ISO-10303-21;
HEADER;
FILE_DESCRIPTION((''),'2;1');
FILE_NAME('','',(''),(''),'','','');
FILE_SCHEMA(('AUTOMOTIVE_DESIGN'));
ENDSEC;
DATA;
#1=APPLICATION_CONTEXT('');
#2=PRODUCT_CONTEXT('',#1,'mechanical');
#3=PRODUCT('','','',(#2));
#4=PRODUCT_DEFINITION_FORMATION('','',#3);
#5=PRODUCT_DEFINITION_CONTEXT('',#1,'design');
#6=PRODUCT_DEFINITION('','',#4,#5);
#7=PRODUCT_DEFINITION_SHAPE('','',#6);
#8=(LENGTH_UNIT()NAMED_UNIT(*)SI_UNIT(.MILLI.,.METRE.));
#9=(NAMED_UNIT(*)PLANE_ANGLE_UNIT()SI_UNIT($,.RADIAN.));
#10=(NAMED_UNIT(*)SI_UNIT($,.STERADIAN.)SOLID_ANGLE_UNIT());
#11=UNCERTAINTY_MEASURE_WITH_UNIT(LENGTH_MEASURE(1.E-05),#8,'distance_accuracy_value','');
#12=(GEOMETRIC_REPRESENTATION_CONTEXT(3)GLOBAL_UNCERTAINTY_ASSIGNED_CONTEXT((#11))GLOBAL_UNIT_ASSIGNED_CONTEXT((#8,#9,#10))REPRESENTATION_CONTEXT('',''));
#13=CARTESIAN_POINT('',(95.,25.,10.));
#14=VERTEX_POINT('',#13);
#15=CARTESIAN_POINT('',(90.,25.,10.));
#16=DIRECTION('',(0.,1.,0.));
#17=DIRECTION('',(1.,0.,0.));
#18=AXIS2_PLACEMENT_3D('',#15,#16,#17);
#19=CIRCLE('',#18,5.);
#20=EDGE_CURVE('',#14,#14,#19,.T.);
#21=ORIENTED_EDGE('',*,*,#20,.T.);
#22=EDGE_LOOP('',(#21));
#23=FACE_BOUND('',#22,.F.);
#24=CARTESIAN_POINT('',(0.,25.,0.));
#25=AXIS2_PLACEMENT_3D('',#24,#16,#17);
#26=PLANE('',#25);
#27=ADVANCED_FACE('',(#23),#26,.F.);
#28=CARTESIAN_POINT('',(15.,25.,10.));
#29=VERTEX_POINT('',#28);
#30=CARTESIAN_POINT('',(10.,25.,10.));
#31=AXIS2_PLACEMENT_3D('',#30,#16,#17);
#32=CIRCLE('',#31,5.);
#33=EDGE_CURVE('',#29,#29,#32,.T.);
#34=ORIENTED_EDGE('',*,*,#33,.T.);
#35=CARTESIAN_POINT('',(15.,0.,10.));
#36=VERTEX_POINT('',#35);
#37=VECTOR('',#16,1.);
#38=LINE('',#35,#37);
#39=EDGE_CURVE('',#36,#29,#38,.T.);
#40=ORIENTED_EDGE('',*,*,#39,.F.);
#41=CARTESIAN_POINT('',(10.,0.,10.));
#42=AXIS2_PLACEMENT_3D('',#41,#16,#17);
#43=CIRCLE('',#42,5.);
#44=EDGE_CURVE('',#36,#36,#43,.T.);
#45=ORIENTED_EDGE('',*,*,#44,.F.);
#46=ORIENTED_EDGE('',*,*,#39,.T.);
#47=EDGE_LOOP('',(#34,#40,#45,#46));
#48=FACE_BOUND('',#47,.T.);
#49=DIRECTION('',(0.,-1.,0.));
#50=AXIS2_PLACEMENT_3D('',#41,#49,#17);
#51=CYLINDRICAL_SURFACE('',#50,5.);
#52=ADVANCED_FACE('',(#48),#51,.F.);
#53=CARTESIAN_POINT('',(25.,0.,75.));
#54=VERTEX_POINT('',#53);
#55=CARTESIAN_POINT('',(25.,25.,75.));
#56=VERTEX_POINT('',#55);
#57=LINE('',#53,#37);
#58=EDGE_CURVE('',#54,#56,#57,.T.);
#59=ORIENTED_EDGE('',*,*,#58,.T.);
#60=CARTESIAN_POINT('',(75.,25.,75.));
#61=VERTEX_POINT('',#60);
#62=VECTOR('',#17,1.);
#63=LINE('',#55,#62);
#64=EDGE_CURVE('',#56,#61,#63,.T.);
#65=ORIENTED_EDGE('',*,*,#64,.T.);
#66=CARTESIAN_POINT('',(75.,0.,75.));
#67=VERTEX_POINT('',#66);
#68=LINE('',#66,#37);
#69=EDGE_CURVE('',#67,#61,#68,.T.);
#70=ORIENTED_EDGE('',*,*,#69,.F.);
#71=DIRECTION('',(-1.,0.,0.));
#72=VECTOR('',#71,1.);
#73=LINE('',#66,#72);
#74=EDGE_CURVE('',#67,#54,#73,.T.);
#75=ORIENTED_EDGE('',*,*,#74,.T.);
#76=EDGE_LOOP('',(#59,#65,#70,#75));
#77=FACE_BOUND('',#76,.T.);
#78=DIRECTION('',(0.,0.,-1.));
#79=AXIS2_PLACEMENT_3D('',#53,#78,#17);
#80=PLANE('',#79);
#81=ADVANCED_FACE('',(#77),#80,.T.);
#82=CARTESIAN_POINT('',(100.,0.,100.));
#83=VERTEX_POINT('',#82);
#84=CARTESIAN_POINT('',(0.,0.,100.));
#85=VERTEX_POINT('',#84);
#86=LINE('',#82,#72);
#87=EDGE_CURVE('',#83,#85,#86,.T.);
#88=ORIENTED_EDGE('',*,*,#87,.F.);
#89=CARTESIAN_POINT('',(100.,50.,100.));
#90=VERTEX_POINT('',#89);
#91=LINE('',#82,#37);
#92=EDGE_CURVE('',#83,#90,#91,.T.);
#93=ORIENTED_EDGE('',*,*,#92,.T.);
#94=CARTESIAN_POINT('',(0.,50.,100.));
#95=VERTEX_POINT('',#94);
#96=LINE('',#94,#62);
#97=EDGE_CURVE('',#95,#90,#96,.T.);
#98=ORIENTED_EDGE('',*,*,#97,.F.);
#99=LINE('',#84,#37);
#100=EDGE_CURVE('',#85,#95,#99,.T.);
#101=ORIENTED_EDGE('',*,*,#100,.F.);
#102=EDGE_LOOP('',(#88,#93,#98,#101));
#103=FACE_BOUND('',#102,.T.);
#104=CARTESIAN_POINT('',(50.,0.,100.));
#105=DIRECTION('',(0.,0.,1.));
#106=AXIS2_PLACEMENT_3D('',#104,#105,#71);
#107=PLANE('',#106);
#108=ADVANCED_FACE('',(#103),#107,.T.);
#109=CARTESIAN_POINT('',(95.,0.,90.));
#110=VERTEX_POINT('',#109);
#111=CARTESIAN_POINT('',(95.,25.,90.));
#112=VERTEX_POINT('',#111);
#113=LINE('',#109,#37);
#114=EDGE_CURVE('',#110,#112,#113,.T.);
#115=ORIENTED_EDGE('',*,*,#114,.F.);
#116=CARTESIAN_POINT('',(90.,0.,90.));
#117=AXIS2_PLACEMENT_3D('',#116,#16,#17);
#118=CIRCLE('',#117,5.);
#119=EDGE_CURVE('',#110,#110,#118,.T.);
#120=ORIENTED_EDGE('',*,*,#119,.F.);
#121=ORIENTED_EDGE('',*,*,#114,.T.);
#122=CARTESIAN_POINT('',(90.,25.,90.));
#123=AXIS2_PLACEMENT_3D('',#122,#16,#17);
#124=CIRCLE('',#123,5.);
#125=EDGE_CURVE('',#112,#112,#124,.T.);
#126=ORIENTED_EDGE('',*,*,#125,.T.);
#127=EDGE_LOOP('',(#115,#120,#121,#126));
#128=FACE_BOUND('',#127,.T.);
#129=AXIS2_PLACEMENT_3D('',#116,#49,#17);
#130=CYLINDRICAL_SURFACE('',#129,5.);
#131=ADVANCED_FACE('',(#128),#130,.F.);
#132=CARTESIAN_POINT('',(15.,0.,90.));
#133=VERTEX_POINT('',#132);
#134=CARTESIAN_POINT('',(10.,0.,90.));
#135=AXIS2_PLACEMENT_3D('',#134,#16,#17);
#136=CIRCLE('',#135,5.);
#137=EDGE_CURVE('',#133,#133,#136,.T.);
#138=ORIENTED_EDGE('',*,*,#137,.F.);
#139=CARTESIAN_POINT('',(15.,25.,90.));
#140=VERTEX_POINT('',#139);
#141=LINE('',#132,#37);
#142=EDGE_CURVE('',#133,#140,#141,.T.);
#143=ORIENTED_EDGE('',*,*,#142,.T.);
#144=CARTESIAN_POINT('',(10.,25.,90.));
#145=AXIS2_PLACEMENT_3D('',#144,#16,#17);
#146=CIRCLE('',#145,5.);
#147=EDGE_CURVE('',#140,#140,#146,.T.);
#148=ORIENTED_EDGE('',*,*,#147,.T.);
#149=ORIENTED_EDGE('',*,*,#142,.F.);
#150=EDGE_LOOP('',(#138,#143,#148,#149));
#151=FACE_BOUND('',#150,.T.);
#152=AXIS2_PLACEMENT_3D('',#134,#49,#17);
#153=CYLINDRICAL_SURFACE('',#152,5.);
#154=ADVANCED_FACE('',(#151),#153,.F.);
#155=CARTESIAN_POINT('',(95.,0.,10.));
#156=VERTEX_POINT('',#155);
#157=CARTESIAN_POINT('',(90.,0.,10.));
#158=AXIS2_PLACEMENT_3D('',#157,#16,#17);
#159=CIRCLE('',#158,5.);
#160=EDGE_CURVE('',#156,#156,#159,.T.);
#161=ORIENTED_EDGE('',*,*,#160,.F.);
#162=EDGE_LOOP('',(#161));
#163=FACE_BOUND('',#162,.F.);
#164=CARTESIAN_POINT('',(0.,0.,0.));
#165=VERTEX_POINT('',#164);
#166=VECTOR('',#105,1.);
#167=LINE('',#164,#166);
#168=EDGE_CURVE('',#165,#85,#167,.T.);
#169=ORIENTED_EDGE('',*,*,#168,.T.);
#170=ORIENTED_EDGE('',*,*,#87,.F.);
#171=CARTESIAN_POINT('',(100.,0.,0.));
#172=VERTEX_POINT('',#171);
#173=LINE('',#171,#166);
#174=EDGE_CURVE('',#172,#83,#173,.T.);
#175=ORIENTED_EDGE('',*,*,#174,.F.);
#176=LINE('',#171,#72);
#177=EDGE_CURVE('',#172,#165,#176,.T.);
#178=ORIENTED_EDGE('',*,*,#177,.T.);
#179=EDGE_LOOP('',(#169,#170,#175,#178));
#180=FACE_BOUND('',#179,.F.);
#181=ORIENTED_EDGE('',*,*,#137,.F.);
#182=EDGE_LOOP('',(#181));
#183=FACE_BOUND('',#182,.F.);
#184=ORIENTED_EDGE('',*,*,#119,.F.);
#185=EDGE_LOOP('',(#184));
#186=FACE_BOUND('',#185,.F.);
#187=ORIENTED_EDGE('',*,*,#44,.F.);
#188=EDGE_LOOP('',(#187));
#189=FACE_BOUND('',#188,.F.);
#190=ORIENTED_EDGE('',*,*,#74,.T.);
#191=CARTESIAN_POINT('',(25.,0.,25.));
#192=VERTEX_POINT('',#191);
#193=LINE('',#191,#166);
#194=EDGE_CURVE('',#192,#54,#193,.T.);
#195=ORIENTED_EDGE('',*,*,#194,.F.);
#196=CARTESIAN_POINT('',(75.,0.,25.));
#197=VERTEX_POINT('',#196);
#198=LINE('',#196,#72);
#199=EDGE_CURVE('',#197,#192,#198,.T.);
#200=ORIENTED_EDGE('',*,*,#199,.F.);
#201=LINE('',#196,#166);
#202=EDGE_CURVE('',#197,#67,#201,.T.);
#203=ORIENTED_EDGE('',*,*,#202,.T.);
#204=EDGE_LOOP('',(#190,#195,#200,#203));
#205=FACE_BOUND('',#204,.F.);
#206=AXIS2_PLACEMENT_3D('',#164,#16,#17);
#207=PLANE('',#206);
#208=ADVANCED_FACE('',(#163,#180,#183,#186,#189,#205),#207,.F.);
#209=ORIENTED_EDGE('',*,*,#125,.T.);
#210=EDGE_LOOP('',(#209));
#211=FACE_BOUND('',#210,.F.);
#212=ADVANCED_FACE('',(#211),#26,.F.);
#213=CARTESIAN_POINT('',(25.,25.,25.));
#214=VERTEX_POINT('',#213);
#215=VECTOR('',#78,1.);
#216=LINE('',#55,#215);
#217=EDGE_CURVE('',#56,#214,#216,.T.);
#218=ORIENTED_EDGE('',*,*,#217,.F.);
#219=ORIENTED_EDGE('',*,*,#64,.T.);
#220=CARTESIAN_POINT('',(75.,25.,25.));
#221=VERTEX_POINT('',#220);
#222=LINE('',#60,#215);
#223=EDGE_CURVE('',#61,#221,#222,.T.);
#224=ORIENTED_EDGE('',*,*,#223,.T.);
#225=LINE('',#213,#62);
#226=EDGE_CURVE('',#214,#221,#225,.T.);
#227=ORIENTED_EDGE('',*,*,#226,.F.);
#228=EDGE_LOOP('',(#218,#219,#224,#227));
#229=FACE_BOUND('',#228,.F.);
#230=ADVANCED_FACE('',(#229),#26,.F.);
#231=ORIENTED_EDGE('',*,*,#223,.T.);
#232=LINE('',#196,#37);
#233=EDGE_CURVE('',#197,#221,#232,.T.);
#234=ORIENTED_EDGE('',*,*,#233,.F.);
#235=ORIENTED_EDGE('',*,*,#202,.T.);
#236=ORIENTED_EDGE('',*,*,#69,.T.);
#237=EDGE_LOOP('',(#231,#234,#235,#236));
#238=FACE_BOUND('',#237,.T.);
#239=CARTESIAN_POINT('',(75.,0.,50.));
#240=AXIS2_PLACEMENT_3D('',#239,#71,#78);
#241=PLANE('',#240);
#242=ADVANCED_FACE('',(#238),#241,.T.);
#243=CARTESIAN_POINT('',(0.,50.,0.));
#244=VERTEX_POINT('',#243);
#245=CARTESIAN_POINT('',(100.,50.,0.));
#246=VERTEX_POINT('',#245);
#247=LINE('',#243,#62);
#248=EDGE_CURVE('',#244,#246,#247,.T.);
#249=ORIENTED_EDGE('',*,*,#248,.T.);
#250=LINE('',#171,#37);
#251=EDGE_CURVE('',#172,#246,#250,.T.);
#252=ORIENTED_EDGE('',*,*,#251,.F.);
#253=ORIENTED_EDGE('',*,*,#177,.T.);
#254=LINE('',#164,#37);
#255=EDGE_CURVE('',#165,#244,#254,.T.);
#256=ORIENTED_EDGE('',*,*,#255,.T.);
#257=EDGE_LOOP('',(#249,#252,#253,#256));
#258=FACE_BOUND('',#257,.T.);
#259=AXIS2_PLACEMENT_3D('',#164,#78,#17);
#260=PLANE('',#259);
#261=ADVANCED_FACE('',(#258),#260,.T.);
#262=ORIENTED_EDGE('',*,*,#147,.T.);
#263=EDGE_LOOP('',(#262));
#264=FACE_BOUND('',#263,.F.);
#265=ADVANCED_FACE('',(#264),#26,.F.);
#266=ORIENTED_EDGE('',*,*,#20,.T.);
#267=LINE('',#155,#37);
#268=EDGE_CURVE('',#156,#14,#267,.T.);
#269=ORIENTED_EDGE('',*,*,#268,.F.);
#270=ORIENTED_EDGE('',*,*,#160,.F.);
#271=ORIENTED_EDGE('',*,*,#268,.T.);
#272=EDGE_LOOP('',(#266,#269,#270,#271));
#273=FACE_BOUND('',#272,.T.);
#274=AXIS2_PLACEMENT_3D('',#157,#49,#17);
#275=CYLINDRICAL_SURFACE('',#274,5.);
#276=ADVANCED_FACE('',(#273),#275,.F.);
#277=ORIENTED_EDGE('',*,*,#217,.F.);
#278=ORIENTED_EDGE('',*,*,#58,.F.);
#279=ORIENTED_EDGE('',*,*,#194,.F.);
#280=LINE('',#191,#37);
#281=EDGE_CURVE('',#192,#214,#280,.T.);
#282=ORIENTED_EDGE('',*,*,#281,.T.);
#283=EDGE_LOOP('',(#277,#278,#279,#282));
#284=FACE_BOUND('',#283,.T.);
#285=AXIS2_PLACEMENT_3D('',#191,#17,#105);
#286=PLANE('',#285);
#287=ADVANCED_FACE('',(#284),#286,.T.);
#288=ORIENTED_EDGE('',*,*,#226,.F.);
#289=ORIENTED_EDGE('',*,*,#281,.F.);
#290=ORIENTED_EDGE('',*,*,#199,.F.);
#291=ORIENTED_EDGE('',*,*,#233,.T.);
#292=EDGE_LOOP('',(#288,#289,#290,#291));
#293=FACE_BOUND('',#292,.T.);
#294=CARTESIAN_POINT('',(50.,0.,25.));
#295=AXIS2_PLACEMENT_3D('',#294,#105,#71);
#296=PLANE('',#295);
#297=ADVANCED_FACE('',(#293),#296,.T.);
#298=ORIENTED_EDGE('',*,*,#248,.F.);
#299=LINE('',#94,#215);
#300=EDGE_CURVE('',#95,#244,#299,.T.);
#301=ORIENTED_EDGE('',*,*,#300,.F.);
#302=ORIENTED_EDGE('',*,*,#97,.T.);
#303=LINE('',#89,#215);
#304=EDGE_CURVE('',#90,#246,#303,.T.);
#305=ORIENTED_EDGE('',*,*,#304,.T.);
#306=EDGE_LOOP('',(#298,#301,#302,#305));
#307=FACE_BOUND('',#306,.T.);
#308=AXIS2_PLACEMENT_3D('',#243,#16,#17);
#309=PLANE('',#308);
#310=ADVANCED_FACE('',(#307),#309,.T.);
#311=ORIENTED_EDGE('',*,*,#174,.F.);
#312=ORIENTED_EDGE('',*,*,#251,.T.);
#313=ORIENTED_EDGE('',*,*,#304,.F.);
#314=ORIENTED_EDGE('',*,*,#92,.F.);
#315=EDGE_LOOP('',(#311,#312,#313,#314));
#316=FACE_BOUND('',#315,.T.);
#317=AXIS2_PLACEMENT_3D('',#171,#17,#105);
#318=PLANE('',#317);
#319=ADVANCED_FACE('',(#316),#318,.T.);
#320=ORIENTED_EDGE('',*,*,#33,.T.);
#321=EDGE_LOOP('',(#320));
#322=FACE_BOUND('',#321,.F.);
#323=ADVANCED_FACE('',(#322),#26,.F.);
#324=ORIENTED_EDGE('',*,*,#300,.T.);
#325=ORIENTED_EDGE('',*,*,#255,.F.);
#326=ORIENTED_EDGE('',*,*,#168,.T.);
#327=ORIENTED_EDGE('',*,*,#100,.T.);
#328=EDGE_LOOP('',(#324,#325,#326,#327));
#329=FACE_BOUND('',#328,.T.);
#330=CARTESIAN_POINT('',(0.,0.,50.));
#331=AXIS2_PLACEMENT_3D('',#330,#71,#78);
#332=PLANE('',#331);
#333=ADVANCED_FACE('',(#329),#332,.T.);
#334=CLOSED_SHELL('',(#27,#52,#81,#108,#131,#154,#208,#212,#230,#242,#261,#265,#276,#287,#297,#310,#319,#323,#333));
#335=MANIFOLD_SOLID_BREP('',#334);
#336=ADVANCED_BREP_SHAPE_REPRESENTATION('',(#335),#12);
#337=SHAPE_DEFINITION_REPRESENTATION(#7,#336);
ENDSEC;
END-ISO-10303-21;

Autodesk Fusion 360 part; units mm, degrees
sketch "Sketch5" plane through (0, 0, 0) normal (0, 1, 0) x (1, 0, 0)
  line L0 (0, 0) -> (100, 0)
  line L1 (100, 0) -> (100, -100)
  line L2 (100, -100) -> (0, -100)
  line L3 (0, -100) -> (0, 0)
  line L4 (25, -75) -> (75, -75)
  line L5 (75, -75) -> (75, -25)
  line L6 (75, -25) -> (25, -25)
  line L7 (25, -25) -> (25, -75)
  circle A0 centre (10, -90) radius 5
  circle A1 centre (90, -90) radius 5
  circle A2 centre (90, -10) radius 5
  circle A3 centre (10, -10) radius 5
  dimension "d57" = 100
  dimension "d58" = 100
  dimension "d59" = 50
  dimension "d60" = 50
  dimension "d61" = 25
  dimension "d62" = 25
  dimension "d63" = 10
  dimension "d64" = 10
  dimension "d65" = 10
  dimension "d66" = 10
sketch "Sketch6" plane through (0, 0, 0) normal (0, 1, 0) x (1, 0, 0)
  line L0 (0, 0) -> (100, 0)
  line L1 (100, 0) -> (100, -100)
  line L2 (100, -100) -> (0, -100)
  line L3 (0, -100) -> (0, 0)
  line L4 (25, -75) -> (75, -75)
  line L5 (75, -75) -> (75, -25)
  line L6 (75, -25) -> (25, -25)
  line L7 (25, -25) -> (25, -75)
  circle A0 centre (10, -90) radius 5
  circle A1 centre (90, -90) radius 5
  circle A2 centre (90, -10) radius 5
  circle A3 centre (10, -10) radius 5
  line L8 (50, -100) -> (50, 0)
  line L9 (0, -50) -> (100, -50)
  dimension "d73" = 100
  dimension "d74" = 100
  dimension "d75" = 50
  dimension "d76" = 50
  dimension "d77" = 25
  dimension "d78" = 25
  dimension "d79" = 10
  dimension "d80" = 10
  dimension "d81" = 10
  dimension "d82" = 10
sketch "Sketch7" plane through (0, 0, 0) normal (0, 1, 0) x (1, 0, 0)
  line L0 (0, 0) -> (100, 0)
  line L1 (100, 0) -> (100, -100)
  line L2 (100, -100) -> (0, -100)
  line L3 (0, -100) -> (0, 0)
  line L4 (25, -75) -> (75, -75)
  line L5 (75, -75) -> (75, -25)
  line L6 (75, -25) -> (25, -25)
  line L7 (25, -25) -> (25, -75)
  circle A0 centre (10, -90) radius 5
  circle A1 centre (90, -90) radius 5
  circle A2 centre (90, -10) radius 5
  circle A3 centre (10, -10) radius 5
  line L8 (50, -100) -> (50, 0)
  line L9 (0, -50) -> (100, -50)
  dimension "d87" = 100
  dimension "d88" = 100
  dimension "d89" = 50
  dimension "d90" = 50
  dimension "d91" = 25
  dimension "d92" = 25
  dimension "d93" = 10
  dimension "d94" = 10
  dimension "d95" = 10
  dimension "d96" = 10
extrude "Extrude14" add sketch "Sketch7" along normal blind 50 contours L0 L3 L6 L7 L8 L9 | L0 L1 L5 L6 L8 L9 | L2 L3 L4 L7 L8 L9 | L6 L7 L8 L9 | L5 L6 L8 L9 | L4 L7 L8 L9 | L1 L2 L4 L5 L8 L9 | L4 L5 L8 L9 | A0 | A1 | A2 | A3
extrude "Extrude15" cut sketch "Sketch7" along normal blind 25 contours L6 L7 L8 L9 | L5 L6 L8 L9 | L4 L7 L8 L9 | L4 L5 L8 L9 | A0 | A1 | A2 | A3
